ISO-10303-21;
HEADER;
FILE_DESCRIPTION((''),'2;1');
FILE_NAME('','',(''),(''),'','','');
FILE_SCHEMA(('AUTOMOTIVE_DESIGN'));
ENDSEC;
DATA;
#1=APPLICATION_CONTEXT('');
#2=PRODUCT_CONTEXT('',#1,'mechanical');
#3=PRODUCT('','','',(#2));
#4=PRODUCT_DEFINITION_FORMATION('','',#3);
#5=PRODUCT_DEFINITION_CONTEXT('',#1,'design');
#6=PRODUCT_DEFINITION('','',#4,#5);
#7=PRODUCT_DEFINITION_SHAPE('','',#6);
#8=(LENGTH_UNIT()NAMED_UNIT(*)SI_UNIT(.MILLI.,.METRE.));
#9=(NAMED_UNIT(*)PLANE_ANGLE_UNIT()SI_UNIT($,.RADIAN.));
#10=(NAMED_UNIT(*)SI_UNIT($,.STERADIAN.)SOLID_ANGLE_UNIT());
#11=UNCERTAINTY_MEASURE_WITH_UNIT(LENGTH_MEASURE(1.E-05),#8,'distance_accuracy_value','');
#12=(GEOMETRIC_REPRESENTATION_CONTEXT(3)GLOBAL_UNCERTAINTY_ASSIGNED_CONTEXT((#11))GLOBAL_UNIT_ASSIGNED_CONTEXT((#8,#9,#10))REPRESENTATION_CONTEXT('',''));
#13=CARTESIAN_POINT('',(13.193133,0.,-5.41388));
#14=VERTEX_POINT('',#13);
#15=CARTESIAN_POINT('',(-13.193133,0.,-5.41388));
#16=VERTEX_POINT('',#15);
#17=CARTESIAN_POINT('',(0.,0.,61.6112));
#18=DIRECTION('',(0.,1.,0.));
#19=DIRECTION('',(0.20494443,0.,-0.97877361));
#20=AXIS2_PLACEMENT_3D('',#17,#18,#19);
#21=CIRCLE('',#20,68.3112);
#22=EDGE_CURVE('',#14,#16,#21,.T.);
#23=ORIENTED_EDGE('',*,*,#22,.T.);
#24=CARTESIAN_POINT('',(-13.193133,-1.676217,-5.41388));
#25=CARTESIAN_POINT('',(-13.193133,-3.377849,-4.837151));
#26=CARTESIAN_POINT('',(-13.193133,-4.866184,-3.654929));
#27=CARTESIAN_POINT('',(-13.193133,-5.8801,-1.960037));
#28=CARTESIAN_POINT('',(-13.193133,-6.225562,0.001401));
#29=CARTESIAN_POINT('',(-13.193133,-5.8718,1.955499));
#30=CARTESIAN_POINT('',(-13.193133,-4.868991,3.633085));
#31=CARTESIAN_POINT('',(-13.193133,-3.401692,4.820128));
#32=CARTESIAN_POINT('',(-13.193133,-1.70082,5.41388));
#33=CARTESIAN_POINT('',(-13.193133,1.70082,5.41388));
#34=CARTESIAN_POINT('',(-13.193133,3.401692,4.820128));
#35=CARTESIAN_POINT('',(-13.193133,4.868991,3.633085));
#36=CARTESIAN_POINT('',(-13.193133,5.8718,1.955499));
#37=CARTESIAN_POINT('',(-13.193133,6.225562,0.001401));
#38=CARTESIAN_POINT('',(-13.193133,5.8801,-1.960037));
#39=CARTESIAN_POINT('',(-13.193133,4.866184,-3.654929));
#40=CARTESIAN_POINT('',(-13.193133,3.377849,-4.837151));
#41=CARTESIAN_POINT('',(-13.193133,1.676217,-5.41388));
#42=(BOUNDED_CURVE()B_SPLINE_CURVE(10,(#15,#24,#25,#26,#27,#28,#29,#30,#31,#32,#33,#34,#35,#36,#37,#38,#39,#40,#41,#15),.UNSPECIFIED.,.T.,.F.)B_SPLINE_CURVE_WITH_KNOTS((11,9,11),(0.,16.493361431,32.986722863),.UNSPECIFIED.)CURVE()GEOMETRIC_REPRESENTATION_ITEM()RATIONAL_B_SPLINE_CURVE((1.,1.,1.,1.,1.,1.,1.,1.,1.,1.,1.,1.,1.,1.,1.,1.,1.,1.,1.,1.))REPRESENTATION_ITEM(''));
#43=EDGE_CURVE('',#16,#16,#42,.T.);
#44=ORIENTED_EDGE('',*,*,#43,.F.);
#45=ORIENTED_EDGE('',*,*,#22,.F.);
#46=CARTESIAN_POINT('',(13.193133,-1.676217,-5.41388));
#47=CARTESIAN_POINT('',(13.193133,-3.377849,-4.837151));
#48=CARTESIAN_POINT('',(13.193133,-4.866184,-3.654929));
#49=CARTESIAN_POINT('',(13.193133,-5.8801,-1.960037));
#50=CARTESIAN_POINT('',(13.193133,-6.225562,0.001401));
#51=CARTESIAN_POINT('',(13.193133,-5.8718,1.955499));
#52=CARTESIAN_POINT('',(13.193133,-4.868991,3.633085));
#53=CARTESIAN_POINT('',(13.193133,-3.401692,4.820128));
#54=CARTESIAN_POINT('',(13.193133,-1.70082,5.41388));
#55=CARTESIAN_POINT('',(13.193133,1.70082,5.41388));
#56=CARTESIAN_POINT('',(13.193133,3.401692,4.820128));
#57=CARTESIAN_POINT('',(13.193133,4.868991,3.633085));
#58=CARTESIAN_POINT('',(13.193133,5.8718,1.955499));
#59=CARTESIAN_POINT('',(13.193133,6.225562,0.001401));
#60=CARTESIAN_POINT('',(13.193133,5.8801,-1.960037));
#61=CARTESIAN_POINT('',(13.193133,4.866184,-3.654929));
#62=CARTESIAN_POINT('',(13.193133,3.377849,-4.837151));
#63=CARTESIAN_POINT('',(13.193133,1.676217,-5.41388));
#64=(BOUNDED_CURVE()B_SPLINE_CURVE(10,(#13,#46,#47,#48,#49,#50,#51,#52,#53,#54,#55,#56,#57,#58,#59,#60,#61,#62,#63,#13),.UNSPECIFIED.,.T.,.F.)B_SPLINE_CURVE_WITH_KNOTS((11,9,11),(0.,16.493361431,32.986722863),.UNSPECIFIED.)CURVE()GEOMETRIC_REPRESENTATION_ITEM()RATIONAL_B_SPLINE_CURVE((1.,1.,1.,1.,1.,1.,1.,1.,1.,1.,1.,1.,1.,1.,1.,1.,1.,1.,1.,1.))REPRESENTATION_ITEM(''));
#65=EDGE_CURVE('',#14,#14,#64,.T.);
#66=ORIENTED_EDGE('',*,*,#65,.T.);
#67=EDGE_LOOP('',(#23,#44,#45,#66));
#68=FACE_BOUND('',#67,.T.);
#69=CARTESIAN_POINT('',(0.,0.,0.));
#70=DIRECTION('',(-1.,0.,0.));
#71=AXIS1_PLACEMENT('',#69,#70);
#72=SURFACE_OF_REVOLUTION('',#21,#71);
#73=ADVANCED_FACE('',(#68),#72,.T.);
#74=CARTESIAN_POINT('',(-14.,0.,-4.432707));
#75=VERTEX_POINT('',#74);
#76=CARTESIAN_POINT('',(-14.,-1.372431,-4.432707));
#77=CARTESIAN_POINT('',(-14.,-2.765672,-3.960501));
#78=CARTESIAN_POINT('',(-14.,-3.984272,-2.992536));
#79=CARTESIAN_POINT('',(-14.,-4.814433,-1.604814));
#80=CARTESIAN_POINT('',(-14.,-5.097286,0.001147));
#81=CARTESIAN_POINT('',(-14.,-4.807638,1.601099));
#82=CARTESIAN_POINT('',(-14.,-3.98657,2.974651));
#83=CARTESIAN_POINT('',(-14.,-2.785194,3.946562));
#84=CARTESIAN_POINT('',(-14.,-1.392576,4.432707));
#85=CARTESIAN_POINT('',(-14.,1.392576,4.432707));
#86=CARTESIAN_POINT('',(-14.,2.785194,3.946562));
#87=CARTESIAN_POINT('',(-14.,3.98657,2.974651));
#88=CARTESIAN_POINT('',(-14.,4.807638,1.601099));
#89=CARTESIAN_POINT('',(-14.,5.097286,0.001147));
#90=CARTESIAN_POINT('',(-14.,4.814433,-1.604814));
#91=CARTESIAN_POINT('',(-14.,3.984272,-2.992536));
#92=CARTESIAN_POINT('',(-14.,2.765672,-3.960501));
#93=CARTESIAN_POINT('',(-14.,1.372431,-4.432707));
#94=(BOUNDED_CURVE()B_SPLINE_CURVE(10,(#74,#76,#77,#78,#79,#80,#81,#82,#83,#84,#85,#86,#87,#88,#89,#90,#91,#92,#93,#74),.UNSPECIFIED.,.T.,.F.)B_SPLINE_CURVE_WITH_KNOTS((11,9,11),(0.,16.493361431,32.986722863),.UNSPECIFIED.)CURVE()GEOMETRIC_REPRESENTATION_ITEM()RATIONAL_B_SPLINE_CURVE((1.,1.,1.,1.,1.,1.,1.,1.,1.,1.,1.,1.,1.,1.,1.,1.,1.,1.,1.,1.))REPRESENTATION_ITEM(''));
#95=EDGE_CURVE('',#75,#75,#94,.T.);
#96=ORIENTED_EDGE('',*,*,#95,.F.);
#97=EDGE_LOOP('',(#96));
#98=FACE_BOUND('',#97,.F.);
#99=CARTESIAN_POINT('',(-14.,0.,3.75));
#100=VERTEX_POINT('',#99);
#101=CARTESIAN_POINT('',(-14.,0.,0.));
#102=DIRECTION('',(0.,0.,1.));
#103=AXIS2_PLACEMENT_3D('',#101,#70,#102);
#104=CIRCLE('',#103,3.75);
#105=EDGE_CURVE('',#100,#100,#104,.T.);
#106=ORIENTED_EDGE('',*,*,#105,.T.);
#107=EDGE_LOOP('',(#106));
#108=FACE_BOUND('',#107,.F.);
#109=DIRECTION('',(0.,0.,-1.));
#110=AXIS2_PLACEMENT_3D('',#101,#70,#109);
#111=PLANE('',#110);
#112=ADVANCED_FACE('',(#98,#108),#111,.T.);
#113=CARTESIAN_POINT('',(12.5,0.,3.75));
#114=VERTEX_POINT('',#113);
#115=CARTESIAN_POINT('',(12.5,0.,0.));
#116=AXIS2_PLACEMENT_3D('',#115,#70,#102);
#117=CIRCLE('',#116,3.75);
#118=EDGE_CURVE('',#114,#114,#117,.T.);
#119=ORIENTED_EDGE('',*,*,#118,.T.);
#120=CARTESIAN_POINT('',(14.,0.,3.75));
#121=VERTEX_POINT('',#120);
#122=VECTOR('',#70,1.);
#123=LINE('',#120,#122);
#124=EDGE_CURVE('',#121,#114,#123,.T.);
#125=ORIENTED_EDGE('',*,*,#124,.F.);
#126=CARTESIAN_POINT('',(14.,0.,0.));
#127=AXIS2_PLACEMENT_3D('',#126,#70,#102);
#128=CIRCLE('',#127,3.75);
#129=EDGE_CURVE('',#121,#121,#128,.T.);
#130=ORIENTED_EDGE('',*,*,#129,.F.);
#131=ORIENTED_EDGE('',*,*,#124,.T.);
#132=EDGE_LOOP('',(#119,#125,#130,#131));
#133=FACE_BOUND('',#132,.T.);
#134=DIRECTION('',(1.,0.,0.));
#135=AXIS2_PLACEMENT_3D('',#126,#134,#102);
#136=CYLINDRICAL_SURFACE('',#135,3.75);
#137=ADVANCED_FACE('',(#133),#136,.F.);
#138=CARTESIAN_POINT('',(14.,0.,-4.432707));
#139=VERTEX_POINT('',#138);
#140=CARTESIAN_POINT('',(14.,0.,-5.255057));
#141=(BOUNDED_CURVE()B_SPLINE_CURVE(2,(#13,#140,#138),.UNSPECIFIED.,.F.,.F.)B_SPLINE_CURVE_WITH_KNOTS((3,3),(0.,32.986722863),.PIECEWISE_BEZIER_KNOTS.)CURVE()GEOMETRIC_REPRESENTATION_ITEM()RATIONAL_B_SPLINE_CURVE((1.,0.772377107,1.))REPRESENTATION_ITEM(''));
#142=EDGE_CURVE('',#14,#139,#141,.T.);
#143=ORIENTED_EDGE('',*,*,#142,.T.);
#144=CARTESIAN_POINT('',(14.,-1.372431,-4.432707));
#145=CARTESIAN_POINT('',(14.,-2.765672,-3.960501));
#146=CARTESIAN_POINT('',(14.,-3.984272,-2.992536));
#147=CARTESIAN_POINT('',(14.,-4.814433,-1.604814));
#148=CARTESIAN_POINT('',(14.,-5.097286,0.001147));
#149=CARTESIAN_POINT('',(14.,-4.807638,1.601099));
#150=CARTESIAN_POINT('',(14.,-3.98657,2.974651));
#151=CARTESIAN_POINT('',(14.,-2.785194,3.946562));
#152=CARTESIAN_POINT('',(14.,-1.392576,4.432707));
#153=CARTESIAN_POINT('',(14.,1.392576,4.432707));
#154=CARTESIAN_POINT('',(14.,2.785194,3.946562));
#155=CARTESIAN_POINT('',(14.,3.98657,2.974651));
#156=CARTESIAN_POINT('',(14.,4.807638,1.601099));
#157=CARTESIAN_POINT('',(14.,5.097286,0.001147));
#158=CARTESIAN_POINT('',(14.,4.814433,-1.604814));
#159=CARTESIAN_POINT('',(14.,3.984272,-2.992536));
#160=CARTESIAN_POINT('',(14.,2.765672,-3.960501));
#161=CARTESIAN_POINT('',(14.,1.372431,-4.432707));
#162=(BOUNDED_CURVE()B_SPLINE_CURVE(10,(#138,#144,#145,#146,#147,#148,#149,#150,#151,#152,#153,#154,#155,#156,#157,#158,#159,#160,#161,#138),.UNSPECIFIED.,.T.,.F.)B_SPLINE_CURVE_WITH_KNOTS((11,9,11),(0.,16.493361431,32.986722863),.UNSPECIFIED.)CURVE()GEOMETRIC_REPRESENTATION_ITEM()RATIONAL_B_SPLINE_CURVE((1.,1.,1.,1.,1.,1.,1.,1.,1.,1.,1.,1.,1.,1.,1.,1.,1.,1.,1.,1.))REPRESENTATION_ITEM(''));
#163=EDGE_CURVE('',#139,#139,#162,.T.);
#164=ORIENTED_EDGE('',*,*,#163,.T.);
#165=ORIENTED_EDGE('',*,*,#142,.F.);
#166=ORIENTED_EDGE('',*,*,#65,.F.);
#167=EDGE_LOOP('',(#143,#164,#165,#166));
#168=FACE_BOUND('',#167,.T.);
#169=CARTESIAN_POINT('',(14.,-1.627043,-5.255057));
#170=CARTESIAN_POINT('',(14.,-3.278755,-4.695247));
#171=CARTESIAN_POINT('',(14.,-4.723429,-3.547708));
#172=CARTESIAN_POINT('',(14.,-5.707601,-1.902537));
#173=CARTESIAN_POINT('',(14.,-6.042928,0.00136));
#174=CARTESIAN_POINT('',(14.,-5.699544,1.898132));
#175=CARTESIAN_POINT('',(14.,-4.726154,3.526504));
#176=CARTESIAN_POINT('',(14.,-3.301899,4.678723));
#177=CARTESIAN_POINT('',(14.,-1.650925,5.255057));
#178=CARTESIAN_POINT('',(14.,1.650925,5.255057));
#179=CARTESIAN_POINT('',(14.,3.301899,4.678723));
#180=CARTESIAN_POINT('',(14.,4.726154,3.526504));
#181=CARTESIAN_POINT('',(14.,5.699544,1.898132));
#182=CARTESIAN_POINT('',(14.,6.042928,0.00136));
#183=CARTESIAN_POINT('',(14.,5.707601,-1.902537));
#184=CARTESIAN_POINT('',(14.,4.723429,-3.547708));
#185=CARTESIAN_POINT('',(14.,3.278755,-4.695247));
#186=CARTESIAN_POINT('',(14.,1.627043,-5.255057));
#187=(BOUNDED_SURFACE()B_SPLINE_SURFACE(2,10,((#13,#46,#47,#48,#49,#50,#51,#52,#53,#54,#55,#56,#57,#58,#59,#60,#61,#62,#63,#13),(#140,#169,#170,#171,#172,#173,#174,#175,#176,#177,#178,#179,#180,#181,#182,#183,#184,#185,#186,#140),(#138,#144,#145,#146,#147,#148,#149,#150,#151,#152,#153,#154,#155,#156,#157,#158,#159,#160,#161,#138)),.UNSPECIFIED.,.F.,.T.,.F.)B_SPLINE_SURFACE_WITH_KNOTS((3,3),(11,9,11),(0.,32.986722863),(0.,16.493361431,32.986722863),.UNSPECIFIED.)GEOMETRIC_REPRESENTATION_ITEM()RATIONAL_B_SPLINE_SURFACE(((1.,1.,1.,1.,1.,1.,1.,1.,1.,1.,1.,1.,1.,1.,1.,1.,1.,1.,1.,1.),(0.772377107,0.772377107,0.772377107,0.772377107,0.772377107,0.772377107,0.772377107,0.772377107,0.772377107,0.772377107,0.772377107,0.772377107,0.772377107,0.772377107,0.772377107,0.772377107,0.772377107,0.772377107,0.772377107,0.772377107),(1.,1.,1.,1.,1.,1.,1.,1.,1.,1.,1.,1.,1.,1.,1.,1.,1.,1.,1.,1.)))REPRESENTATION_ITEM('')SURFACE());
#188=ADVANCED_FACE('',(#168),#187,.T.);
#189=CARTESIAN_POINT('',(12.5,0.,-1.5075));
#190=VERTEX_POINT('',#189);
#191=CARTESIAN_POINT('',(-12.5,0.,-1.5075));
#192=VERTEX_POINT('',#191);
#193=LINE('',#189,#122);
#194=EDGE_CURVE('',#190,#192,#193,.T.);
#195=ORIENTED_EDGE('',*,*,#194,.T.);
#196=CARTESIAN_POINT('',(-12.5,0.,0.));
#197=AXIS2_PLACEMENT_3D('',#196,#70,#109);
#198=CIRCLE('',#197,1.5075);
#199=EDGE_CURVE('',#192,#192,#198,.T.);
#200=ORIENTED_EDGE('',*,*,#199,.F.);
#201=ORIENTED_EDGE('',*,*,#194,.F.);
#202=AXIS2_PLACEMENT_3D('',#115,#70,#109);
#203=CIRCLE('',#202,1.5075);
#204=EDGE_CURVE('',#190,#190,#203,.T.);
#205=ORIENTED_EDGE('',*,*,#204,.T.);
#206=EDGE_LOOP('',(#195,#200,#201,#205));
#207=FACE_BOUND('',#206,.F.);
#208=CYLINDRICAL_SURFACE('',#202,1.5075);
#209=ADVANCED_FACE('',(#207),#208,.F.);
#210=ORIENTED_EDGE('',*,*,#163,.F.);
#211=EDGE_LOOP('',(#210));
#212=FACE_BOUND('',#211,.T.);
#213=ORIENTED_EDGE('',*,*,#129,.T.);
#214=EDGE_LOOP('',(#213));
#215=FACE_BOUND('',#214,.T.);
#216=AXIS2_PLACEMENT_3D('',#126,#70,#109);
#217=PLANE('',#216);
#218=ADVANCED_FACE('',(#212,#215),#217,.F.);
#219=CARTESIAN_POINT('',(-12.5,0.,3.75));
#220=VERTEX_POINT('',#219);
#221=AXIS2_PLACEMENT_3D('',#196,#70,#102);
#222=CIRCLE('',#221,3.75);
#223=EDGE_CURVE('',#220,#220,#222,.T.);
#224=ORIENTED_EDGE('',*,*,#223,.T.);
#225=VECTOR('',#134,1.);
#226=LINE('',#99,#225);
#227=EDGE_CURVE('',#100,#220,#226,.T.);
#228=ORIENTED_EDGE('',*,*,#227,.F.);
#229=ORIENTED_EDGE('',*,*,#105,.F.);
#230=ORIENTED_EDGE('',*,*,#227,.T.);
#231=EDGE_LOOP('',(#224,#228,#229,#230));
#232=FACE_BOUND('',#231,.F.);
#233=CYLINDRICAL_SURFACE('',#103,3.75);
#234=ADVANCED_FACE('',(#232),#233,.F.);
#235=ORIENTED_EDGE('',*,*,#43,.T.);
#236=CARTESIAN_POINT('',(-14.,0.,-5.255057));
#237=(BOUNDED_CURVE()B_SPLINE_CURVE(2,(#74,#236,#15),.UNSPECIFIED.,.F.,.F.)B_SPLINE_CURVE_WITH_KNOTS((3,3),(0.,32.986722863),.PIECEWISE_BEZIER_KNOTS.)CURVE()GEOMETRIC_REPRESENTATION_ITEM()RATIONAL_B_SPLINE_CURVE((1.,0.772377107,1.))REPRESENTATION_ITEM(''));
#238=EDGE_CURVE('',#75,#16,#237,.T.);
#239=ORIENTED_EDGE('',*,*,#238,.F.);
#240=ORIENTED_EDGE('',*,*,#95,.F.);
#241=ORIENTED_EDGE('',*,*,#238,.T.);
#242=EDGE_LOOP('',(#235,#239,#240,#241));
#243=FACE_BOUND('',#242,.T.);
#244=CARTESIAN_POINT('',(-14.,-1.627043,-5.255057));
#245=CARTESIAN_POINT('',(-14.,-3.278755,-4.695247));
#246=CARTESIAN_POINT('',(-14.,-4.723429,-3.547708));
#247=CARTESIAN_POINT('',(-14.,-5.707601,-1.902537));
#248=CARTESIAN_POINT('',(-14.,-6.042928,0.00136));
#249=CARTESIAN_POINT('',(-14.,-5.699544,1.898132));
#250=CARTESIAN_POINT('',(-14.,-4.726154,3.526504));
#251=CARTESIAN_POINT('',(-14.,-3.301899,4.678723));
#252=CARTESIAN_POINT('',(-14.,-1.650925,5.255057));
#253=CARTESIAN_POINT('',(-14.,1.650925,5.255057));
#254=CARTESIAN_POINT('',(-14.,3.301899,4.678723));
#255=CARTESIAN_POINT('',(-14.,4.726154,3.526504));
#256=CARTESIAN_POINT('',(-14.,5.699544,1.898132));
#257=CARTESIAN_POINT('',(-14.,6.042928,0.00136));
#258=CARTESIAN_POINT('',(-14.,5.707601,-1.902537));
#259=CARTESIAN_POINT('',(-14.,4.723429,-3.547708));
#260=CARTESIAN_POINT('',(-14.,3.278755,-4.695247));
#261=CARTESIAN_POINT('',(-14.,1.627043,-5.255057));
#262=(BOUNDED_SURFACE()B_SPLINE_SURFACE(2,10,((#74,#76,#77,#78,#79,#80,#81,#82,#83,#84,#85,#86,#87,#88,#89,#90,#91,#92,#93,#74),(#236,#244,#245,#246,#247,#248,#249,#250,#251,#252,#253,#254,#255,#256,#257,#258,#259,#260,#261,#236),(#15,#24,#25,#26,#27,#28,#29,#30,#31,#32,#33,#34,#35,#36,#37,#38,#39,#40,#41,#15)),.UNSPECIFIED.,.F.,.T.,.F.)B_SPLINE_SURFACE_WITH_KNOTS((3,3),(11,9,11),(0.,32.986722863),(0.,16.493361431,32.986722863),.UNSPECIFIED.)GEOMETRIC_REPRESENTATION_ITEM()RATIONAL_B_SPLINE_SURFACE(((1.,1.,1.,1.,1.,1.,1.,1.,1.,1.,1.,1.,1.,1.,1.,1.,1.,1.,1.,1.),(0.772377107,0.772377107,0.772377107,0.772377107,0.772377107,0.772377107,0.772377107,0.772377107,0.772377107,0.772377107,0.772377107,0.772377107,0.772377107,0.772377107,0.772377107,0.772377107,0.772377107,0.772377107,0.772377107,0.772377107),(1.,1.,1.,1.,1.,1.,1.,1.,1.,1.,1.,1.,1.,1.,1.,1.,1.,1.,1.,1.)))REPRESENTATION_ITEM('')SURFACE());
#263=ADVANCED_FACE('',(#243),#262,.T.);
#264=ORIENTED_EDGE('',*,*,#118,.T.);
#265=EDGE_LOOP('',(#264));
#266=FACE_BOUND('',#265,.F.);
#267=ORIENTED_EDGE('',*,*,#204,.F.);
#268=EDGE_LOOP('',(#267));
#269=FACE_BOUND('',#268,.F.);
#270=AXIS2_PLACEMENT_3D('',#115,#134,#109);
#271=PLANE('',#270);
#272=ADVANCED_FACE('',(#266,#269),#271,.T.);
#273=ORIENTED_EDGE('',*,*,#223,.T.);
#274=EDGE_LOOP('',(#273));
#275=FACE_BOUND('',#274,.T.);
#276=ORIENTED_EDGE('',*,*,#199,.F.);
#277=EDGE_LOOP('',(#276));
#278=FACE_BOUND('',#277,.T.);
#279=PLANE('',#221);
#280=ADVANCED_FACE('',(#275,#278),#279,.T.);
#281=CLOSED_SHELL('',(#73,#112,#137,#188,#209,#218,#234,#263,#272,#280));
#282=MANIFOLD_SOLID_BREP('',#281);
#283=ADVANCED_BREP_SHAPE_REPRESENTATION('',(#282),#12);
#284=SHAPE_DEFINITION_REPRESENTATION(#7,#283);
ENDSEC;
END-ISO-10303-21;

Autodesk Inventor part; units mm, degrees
ref_plane "YZ Plane" through (0, 0, 0) normal (1, 0, 0) x (0, 1, 0)
ref_plane "XZ Plane" through (0, 0, 0) normal (0, 1, 0) x (-1, 0, 0)
ref_plane "XY Plane" through (0, 0, 0) normal (0, 0, 1) x (1, 0, 0)
sketch "Sketch1" plane through (0, 0, 0) normal (0, 1, 0) x (-1, 0, 0)
  line L0 (0, 0) -> (-14, 0)
  line L1 (0, 0) -> (14, 0)
  line L2 (-14, 0) -> (-14, -5.25)
  line L3 (14, 0) -> (14, -5.25)
  arc A0 (-14, -5.25) -> (14, -5.25) centre (0, 61.6112) ccw
  line L4 (0, -6.7) -> (0, 0) construction
  dimension "d0" = 14
  dimension "d1" = 14
  dimension "d2" = 5.25
  dimension "d3" = 6.7
revolve "Revolution1" add sketch "Sketch1" angle 360 about axis through (0, 0, 0) along (-1, 0, 0)
fillet "Fillet1" radius 1 2 edges at (14, 0, 5.25) (-14, 0, 5.25)
sketch "Sketch2" plane through (-14, 0, 0) normal (-1, 0, 0) x (0, 0, 1)
  circle A0 centre (0, 0) radius 3.75
  dimension "d6" = 7.5
extrude "Extrusion1" cut sketch "Sketch2" against normal blind 1.5
mirror "Mirror1" about plane through (0, 0, 0) normal (1, 0, 0) of "Extrusion1"
sketch "Sketch3" plane through (12.5, 0, 0) normal (1, 0, 0) x (0, 0, -1)
  circle A0 centre (0, 0) radius 3.75 projected
hole "Hole1" at (12.5, 0, 0) direction (-1, 0, 0) diameter 3.015 end through all
properties part number "roller" material "Rubber, Black"
